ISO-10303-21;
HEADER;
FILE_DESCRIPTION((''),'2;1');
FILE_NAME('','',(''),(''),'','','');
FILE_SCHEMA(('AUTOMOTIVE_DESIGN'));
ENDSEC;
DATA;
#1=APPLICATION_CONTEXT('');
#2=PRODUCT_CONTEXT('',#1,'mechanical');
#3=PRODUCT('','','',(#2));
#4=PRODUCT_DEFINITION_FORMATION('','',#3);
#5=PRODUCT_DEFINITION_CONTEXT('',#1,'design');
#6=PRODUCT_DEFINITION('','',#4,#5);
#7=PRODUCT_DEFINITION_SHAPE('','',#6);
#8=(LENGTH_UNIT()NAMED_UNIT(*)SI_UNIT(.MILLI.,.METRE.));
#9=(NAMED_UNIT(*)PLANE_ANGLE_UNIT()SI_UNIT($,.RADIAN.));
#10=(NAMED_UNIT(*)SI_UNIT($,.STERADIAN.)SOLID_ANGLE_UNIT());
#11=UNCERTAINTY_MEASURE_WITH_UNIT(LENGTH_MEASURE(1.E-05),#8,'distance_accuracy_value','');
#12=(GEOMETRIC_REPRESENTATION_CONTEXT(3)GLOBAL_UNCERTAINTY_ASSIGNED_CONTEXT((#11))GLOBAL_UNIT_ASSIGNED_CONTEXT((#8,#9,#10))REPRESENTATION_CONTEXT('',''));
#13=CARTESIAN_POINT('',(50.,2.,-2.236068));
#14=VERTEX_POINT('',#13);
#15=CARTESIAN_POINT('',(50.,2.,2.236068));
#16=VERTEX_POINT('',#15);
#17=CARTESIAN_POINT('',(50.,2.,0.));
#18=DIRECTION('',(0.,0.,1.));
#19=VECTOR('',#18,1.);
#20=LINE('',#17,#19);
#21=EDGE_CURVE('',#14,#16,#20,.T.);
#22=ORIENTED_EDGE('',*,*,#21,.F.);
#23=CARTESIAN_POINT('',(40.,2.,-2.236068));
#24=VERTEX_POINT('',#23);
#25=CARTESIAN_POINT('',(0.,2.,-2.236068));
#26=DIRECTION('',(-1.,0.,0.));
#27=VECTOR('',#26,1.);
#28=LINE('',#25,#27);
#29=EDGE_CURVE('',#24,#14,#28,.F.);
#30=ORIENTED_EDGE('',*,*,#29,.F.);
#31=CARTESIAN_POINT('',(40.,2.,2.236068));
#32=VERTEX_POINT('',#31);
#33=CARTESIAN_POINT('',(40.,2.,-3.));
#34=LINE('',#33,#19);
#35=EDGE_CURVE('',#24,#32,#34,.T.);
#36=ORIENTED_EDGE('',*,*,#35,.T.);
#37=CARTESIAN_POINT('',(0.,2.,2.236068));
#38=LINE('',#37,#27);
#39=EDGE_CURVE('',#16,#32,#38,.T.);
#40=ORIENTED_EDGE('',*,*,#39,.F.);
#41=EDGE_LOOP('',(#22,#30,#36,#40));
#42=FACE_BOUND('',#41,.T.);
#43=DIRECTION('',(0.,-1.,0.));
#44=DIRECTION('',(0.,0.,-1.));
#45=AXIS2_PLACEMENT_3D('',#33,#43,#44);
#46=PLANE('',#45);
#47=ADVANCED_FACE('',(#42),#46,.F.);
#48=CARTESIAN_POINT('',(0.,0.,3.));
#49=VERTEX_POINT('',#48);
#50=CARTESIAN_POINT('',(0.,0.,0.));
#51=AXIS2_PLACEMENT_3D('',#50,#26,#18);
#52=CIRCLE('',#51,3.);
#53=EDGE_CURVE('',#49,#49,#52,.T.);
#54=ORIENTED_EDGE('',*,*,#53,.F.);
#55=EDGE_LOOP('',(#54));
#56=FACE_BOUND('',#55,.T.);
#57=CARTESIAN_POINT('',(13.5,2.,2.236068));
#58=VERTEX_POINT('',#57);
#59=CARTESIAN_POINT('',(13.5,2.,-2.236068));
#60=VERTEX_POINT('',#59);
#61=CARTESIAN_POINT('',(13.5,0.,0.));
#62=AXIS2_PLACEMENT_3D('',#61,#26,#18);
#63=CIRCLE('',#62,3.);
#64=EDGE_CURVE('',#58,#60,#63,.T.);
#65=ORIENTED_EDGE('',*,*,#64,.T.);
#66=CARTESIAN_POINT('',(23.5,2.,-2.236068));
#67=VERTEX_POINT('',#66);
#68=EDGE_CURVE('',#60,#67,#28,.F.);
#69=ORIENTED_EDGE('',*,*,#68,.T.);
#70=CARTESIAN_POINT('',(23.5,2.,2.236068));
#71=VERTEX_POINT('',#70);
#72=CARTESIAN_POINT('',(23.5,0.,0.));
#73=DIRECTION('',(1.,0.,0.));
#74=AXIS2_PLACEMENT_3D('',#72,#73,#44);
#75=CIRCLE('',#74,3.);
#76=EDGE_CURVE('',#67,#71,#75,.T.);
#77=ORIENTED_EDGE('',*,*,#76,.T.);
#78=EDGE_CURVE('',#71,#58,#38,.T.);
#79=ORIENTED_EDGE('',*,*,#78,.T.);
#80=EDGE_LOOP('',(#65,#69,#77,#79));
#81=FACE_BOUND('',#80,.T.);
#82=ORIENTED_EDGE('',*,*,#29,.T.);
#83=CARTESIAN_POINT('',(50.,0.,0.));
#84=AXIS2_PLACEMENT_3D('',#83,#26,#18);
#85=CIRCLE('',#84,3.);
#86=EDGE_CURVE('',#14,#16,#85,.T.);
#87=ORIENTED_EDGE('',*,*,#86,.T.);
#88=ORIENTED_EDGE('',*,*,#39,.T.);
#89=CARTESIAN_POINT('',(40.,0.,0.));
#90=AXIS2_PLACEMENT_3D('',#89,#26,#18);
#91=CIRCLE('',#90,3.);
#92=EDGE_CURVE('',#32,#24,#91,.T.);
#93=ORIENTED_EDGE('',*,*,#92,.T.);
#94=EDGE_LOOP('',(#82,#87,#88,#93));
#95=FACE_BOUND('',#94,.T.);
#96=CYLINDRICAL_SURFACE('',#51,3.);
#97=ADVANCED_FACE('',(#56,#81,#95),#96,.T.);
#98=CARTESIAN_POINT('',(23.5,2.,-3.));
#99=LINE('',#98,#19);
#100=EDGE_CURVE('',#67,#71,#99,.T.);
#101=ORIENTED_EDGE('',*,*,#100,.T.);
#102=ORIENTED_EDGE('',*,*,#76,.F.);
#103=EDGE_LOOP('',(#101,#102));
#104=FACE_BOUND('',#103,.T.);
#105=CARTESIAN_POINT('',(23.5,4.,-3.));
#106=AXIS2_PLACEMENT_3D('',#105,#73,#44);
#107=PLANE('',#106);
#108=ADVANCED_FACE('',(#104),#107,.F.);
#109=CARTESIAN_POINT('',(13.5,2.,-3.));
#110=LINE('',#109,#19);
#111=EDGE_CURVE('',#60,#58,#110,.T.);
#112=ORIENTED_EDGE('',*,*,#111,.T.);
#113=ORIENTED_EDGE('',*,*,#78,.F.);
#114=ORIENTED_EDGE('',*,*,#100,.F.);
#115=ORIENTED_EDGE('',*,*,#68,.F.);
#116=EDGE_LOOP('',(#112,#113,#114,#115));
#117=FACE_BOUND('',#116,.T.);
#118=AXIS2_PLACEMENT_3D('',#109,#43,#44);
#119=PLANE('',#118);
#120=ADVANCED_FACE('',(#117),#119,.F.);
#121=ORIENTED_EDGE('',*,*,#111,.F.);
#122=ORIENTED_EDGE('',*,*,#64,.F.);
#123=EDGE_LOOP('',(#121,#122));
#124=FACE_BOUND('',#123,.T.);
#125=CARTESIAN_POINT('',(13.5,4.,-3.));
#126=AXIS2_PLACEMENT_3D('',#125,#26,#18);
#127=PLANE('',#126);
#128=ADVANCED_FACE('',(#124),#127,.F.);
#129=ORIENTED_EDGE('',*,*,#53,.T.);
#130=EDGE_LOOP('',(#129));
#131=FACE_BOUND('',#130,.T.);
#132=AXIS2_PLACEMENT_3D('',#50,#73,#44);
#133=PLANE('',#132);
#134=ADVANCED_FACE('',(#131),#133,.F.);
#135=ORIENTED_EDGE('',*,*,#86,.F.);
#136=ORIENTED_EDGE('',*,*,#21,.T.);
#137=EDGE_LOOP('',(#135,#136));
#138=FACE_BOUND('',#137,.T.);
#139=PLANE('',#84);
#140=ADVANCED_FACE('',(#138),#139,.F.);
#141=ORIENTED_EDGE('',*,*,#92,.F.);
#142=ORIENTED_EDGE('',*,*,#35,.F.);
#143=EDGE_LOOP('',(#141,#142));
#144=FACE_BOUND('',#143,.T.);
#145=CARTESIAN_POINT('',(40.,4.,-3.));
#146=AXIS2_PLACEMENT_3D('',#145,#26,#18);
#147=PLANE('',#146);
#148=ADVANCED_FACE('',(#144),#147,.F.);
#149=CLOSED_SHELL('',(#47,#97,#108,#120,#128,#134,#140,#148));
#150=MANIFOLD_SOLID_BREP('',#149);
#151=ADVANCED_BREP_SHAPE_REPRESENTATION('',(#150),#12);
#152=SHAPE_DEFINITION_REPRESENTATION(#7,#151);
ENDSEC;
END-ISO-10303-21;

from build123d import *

# Parameters (mm, degrees)
SKIZZE1_W                            = 50
SKIZZE1_H                            = 3
SKIZZE2_W                            = 10
SKIZZE2_H                            = 2
SCHNITT_LINEAR_AUSTRAGEN1_DEPTH      = 4
SCHNITT_LINEAR_AUSTRAGEN1_DEPTH_BACK = 4


with BuildPart() as part:
    # Skizze1 → Rotation1 (revolve)
    with BuildSketch(Plane.XY):
        with Locations((25, 1.5)):
            Rectangle(SKIZZE1_W, SKIZZE1_H)
    revolve(axis=Axis((0, 0, 0), (1, 0, 0)))

    # Skizze2 → Schnitt-Linear austragen1 (cut, two sides)
    with BuildSketch(Plane.XY) as schnitt_linear_austragen1_sk:
        with Locations((18.5, 3)):
            Rectangle(SKIZZE2_W, SKIZZE2_H)
        with Locations((45, 3)):
            Rectangle(SKIZZE2_W, SKIZZE2_H)
    extrude(amount=SCHNITT_LINEAR_AUSTRAGEN1_DEPTH, mode=Mode.SUBTRACT)
    extrude(schnitt_linear_austragen1_sk.sketch, amount=-SCHNITT_LINEAR_AUSTRAGEN1_DEPTH_BACK, mode=Mode.SUBTRACT)


solid = part.part
